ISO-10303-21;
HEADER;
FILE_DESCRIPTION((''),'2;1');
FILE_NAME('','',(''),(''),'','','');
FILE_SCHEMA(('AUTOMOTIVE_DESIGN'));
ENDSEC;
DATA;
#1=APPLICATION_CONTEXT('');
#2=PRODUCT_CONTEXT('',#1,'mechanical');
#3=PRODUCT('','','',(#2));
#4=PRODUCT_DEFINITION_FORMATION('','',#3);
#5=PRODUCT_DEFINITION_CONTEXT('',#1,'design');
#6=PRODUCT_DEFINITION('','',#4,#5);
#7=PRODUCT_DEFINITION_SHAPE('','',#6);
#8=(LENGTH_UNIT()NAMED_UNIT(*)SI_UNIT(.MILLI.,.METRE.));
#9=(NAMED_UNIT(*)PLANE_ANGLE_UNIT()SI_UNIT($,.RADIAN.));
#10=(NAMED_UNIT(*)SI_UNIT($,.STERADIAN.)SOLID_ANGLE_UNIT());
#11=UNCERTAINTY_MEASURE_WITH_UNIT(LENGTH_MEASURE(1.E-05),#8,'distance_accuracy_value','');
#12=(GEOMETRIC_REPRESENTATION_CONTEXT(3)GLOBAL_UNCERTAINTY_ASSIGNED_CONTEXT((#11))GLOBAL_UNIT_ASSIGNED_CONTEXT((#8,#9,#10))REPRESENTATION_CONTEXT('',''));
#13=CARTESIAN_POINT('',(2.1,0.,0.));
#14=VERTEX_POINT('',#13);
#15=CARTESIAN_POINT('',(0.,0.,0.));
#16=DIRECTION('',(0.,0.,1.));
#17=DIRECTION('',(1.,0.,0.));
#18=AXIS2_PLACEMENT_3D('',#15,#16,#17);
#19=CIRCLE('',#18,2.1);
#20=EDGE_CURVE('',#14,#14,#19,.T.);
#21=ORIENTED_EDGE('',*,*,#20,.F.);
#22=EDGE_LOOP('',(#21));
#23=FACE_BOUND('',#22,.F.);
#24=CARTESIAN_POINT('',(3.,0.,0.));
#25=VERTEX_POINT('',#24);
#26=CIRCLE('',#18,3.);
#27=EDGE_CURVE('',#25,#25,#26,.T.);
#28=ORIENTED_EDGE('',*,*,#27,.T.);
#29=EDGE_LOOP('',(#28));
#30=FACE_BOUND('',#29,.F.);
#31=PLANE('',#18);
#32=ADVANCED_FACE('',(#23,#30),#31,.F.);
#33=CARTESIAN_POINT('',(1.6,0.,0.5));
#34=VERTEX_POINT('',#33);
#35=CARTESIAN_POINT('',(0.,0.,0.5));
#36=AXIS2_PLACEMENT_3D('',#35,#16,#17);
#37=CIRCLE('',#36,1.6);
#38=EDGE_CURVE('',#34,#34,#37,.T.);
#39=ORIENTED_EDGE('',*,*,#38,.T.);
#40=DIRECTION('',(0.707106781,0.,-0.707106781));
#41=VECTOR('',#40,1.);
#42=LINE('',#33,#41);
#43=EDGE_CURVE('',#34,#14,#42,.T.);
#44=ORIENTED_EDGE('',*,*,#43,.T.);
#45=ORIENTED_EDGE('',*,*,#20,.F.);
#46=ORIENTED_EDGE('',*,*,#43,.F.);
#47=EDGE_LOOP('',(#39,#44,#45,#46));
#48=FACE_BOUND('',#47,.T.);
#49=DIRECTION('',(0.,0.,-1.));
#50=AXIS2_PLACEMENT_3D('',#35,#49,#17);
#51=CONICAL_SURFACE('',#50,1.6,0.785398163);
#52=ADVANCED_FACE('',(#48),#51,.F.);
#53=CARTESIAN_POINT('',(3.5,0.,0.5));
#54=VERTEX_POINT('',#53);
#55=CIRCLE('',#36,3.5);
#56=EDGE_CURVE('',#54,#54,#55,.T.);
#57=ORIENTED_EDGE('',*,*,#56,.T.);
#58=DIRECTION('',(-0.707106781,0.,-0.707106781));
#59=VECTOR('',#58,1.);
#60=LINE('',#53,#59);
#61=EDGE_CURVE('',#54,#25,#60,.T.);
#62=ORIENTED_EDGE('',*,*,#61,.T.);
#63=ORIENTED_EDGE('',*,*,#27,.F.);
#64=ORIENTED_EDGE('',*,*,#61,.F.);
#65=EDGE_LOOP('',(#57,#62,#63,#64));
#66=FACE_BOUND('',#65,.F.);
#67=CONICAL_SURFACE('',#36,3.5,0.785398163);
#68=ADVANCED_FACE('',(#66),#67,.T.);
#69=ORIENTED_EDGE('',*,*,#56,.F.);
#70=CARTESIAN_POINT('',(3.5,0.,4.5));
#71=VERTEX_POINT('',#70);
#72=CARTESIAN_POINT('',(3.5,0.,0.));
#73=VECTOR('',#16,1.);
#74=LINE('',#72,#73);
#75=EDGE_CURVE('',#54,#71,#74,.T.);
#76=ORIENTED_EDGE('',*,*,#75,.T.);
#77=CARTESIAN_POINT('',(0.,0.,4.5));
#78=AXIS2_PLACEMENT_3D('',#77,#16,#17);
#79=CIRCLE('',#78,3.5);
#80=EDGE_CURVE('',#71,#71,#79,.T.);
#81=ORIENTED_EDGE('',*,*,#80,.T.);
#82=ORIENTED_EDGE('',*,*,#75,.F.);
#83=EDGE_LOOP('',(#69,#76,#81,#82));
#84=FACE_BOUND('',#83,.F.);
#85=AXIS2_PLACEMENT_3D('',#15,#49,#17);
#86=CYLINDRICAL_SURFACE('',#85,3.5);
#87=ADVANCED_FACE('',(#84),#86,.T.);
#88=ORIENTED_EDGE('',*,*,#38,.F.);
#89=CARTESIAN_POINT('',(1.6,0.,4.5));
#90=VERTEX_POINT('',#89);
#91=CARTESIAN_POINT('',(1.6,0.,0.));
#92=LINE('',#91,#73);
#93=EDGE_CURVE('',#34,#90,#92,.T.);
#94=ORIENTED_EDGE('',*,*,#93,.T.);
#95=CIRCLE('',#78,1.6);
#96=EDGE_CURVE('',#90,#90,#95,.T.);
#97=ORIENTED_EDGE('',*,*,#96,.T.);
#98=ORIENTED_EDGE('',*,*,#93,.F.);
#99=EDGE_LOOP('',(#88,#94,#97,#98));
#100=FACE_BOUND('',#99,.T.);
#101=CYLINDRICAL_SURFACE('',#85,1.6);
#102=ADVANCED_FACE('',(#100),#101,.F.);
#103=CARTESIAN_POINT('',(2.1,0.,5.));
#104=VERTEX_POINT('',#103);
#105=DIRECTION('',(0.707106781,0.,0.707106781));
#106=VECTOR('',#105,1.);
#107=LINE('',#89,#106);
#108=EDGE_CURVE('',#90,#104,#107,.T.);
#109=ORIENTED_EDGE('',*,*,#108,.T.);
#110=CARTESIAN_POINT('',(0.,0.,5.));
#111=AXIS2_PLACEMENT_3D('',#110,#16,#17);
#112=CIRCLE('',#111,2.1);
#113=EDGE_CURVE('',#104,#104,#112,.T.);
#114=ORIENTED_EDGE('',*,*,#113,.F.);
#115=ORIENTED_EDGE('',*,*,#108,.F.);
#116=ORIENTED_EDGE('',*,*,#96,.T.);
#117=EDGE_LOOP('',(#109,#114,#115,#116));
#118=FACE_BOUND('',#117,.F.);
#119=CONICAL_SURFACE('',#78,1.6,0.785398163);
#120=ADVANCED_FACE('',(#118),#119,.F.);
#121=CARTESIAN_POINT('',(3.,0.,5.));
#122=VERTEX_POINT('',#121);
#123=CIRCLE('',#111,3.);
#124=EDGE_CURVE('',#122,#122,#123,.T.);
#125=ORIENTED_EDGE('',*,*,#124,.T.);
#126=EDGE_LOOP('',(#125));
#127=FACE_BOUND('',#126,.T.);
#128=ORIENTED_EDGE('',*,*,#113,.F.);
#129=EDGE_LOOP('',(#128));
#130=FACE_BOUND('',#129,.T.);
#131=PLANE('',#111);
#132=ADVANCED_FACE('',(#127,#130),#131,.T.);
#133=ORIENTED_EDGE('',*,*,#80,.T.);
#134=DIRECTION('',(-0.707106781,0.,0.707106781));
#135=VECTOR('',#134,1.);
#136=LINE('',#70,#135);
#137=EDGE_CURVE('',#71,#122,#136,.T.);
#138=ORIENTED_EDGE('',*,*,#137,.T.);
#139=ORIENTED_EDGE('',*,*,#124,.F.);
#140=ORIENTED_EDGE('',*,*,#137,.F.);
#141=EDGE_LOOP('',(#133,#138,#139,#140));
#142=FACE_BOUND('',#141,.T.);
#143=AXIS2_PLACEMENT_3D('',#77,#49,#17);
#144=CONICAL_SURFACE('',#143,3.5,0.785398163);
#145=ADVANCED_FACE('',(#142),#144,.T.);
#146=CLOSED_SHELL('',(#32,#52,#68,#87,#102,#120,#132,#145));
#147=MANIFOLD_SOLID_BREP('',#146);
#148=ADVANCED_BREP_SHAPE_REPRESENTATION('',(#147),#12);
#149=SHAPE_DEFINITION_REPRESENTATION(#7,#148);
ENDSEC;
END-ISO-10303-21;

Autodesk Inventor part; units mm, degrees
ref_plane "YZ Plane" through (0, 0, 0) normal (1, 0, 0) x (0, 1, 0)
ref_plane "XZ Plane" through (0, 0, 0) normal (0, 1, 0) x (-1, 0, 0)
ref_plane "XY Plane" through (0, 0, 0) normal (0, 0, 1) x (1, 0, 0)
sketch "Sketch1" plane through (0, 0, 0) normal (0, 0, 1) x (1, 0, 0)
  circle A0 centre (0, 0) radius 3.5
  circle A1 centre (0, 0) radius 1.6
  dimension "d0" = 7
  dimension "d1" = 3.2
extrude "Extrusion1" add sketch "Sketch1" along normal blind 5
chamfer "Chamfer1" distance 0.5 angle 45 4 edges at (-3.5, 0, 5) (-1.6, 0, 5) (-1.6, 0, 0) (-3.5, 0, 0)
properties part number "Pancake_Bearing" material "Stainless Steel"
